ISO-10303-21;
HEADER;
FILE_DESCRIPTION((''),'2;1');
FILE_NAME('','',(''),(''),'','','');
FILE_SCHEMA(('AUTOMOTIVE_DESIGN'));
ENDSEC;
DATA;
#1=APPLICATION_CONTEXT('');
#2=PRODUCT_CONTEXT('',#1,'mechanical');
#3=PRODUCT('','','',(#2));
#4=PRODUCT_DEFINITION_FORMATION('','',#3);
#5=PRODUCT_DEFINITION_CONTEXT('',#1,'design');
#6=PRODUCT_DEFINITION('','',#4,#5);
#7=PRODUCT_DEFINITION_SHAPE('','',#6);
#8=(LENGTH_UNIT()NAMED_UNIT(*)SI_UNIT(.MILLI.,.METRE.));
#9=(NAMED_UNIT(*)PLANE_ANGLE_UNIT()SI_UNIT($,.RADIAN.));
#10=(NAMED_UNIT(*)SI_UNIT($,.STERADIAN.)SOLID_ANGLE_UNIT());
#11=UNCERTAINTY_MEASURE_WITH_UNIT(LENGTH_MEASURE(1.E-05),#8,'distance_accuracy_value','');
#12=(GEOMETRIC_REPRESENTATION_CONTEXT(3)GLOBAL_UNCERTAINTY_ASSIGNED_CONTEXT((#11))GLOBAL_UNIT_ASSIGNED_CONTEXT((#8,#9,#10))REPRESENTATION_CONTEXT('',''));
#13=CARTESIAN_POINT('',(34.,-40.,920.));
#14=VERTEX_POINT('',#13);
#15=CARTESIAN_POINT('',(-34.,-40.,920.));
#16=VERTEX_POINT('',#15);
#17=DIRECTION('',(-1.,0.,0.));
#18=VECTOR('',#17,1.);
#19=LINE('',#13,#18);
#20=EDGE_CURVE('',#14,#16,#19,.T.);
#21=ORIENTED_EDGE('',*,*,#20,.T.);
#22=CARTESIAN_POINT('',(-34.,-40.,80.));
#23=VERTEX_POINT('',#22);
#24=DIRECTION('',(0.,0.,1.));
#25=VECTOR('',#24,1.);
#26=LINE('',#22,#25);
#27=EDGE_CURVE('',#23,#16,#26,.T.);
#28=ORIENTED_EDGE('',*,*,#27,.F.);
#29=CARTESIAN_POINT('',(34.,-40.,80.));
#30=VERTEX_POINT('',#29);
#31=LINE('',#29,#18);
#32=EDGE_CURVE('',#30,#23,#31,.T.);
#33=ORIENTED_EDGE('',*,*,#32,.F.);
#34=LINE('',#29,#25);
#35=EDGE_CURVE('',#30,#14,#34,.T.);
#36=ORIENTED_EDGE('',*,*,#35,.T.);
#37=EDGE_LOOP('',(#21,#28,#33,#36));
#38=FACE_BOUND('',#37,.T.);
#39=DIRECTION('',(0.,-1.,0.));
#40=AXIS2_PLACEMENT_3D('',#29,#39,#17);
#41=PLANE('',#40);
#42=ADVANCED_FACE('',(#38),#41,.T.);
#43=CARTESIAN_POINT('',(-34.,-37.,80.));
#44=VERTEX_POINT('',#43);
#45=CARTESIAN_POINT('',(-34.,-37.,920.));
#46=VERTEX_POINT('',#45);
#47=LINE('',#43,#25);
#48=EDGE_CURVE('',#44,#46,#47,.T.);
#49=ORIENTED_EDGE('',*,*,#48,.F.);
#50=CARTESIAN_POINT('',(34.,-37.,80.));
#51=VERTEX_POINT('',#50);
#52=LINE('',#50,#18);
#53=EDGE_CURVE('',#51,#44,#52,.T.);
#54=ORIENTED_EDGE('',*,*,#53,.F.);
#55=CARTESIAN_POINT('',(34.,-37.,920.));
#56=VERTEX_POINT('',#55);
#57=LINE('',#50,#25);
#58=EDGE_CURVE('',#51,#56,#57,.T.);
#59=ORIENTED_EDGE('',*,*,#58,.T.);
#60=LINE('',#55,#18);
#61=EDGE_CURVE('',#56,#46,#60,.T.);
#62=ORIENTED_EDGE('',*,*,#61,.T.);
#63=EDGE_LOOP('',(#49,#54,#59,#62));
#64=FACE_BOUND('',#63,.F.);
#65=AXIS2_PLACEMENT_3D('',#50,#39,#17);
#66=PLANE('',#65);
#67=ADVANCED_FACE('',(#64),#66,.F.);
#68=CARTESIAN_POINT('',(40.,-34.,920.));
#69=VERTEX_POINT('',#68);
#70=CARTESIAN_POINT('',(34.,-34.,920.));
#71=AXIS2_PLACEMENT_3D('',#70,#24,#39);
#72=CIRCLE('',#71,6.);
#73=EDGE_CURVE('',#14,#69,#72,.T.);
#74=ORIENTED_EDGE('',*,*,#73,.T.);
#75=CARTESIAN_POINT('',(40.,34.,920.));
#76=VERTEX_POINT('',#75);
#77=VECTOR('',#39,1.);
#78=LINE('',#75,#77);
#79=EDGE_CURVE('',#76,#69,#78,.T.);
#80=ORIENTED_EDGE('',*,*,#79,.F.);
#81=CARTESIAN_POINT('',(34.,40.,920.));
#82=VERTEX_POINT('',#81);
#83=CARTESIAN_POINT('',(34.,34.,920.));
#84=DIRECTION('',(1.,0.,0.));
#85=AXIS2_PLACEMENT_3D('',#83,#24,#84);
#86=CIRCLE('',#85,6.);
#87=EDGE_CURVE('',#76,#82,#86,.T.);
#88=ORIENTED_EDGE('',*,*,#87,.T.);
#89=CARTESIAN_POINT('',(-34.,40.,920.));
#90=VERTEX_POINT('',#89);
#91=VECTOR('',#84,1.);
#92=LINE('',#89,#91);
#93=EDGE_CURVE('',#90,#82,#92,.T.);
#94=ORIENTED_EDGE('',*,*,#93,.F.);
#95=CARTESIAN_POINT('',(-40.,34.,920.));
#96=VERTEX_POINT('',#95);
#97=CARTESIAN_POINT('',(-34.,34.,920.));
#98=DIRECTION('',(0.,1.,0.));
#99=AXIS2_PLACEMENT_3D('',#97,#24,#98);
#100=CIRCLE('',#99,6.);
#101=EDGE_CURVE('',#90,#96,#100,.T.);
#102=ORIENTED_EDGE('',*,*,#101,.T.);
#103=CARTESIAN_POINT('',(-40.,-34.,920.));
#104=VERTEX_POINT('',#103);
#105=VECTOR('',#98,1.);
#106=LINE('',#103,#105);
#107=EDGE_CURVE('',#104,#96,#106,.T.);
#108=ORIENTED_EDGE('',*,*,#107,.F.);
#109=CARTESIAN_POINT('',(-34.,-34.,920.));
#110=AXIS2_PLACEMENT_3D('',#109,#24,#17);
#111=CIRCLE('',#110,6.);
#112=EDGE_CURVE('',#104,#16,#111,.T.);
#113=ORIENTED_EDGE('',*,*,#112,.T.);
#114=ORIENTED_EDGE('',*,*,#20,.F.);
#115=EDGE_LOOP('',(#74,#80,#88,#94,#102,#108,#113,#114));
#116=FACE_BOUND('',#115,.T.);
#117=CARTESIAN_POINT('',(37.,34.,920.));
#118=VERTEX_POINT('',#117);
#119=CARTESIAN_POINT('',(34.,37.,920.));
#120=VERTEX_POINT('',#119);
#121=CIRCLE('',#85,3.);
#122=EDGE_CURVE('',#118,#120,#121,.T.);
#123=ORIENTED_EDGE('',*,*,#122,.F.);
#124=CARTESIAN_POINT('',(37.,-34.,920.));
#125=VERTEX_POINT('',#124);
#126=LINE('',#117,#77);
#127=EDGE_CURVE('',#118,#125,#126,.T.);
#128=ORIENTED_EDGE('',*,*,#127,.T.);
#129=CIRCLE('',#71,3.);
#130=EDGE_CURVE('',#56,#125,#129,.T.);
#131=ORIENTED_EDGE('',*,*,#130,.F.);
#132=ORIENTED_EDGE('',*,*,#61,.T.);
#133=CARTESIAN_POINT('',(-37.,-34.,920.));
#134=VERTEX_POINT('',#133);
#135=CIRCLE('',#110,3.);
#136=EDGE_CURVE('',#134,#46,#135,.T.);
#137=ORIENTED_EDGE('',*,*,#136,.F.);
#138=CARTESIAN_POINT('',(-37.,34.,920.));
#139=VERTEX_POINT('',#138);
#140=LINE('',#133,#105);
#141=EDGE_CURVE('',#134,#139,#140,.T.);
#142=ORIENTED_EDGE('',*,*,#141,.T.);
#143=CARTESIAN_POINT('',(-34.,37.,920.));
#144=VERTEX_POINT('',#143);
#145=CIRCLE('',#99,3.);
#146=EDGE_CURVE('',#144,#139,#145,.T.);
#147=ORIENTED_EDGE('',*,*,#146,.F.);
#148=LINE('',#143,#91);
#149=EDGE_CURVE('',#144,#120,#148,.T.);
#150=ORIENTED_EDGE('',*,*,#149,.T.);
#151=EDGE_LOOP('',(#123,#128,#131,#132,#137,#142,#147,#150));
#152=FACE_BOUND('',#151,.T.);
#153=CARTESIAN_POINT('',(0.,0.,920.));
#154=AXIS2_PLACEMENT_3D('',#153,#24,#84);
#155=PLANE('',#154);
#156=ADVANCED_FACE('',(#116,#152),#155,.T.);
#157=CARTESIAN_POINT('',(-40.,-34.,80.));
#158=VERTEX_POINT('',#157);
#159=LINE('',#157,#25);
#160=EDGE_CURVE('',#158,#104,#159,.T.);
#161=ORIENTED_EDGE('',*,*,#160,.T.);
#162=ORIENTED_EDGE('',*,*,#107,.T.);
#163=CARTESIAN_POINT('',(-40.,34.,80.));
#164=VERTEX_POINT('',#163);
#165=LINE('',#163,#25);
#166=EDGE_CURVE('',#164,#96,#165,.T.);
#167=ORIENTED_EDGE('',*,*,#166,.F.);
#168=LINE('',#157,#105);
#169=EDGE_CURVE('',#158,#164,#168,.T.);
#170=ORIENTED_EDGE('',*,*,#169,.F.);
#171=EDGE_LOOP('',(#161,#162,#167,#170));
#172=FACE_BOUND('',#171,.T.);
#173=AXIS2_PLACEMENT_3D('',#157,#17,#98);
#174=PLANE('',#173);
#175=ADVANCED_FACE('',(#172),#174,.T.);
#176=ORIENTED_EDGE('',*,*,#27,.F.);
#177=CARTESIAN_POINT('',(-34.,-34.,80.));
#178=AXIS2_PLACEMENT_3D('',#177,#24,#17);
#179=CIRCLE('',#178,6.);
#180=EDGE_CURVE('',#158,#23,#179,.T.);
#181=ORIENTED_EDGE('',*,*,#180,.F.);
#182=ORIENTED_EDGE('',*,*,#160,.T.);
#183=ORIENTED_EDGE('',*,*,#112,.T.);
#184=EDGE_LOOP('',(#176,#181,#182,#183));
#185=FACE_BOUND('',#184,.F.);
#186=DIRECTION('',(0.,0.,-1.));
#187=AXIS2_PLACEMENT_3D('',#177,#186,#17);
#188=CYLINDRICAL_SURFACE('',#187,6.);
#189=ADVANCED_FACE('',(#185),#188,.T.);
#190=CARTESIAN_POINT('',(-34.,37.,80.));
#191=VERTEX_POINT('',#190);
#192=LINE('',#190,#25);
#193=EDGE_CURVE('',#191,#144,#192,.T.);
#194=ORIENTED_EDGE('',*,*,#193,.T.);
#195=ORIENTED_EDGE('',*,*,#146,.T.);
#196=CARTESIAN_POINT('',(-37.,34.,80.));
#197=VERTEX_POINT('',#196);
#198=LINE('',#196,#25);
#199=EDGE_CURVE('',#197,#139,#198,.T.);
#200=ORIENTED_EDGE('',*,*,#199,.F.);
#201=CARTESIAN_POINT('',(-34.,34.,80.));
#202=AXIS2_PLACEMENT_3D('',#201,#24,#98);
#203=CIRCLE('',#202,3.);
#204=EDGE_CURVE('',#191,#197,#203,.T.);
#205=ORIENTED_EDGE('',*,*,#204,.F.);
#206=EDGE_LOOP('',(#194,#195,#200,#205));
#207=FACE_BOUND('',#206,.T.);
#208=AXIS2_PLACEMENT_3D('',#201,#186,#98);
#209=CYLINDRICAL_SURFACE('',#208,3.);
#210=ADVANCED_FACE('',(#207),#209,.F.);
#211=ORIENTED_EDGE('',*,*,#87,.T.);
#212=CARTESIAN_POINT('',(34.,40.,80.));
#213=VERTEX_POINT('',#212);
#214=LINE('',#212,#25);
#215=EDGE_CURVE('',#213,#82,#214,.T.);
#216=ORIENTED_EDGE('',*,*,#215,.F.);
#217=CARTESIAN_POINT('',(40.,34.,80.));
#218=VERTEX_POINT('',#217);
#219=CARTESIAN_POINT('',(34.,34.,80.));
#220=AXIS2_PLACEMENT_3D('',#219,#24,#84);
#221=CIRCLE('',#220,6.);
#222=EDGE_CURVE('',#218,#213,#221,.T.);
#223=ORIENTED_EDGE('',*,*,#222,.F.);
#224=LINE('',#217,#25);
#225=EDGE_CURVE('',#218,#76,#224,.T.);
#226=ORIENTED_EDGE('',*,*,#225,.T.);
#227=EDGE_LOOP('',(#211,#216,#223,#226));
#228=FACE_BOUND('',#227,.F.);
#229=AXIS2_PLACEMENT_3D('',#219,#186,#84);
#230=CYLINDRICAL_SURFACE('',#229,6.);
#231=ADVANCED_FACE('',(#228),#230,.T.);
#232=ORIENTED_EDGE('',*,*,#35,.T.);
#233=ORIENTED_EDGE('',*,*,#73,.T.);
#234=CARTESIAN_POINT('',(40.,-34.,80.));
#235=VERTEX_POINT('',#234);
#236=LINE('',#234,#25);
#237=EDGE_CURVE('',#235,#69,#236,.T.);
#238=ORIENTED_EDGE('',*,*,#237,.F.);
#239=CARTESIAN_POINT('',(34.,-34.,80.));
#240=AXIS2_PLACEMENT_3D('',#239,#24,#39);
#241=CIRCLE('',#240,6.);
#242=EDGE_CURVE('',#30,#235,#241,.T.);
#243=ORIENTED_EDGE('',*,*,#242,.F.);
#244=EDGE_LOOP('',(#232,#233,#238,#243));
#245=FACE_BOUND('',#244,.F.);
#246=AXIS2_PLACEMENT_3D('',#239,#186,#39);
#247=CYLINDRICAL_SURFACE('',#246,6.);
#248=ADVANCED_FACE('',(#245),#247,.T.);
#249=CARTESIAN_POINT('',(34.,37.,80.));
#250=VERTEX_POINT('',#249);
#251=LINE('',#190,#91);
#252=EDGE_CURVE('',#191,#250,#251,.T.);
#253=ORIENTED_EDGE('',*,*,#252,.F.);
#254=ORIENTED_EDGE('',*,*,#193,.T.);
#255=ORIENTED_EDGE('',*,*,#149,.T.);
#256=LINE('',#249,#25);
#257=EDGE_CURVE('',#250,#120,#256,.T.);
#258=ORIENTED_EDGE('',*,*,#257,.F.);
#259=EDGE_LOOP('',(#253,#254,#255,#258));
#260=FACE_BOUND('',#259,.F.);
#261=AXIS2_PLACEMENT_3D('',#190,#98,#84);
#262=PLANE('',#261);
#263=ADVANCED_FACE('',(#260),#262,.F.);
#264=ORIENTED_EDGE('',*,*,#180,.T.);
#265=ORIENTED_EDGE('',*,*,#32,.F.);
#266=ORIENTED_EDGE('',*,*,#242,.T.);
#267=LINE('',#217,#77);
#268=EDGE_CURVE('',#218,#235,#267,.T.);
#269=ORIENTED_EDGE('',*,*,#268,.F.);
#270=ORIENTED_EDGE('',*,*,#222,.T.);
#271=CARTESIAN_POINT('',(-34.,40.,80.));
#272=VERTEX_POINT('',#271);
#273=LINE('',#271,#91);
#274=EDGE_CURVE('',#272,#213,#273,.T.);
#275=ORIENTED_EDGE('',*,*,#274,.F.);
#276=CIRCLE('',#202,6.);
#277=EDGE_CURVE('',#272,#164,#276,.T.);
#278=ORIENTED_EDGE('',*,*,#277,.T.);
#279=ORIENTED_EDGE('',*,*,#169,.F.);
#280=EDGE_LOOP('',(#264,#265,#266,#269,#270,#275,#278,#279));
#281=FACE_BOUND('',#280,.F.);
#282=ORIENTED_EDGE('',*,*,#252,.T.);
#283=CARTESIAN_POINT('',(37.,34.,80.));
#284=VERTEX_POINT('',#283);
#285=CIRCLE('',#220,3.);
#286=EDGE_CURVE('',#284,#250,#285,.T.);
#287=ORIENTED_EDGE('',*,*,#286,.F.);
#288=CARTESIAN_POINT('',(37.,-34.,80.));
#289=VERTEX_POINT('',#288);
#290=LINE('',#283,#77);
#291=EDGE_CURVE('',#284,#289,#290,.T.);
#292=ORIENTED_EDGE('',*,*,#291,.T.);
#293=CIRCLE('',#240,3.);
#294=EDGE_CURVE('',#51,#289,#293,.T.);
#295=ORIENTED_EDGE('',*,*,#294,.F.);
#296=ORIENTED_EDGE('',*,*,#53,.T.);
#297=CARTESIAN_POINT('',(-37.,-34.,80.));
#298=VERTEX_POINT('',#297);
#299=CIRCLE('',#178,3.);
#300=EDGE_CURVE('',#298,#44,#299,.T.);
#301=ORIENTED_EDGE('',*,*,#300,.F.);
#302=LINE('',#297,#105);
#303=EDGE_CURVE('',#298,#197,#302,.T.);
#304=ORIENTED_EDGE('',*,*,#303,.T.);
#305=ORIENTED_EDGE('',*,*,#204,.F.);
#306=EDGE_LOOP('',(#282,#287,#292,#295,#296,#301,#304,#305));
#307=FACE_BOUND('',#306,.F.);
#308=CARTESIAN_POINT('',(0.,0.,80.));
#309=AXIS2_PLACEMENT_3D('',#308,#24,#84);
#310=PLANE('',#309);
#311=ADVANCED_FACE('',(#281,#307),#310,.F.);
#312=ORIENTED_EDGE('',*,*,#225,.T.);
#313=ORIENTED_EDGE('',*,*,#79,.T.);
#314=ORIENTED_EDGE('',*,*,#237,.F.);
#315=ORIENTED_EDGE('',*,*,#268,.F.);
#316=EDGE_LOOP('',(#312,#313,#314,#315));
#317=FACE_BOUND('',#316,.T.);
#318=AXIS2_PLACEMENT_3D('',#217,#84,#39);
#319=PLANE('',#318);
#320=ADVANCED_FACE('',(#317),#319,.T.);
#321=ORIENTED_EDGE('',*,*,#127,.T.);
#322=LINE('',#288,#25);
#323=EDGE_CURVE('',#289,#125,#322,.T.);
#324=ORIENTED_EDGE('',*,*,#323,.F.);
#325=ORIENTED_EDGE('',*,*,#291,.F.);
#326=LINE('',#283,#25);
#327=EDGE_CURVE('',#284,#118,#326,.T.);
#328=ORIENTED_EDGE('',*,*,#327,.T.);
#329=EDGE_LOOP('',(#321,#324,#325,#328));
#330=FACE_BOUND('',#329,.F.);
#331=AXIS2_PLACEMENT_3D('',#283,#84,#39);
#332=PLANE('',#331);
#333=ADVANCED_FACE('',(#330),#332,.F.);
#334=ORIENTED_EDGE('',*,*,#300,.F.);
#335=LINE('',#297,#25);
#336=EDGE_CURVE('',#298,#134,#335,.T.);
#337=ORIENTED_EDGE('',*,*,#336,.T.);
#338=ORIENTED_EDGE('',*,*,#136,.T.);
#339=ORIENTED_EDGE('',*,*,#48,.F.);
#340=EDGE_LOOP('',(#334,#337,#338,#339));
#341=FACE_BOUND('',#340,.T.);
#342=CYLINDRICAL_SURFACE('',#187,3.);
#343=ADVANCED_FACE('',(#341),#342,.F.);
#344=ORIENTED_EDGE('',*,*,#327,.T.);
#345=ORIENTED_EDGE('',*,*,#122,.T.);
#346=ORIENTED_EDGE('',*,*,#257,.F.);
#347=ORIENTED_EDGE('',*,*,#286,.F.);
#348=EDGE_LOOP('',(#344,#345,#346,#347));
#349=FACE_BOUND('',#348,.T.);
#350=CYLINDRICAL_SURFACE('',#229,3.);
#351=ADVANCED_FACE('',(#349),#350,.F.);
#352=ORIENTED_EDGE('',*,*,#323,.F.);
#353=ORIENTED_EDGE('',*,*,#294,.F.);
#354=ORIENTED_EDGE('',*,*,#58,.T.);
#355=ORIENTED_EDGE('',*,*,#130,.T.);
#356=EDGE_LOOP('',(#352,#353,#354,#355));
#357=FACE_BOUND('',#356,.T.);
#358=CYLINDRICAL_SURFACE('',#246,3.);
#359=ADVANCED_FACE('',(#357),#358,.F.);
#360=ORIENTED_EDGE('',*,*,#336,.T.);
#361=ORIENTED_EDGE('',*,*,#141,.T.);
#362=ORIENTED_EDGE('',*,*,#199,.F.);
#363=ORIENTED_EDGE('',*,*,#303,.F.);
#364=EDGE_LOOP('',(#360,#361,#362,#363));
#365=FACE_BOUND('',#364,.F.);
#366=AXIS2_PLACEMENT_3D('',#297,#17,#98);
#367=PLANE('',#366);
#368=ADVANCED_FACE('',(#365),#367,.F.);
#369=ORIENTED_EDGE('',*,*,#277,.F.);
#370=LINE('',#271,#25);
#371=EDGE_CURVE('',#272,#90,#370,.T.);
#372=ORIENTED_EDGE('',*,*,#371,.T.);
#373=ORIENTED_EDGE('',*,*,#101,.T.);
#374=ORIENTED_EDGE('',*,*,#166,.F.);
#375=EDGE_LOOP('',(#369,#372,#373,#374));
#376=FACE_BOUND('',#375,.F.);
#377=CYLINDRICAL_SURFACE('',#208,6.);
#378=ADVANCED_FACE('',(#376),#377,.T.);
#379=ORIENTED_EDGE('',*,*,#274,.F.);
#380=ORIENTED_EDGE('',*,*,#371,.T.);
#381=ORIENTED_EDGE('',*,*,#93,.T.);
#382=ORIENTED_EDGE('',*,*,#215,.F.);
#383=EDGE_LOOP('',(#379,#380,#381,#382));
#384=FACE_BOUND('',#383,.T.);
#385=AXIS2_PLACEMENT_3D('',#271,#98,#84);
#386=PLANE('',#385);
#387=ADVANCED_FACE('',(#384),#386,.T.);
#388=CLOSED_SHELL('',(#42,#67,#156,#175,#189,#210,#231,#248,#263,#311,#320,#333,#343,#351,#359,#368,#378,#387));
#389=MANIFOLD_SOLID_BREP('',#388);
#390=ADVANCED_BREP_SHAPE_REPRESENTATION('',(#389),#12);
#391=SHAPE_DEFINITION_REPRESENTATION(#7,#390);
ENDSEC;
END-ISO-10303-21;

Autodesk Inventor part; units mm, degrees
ref_plane "YZ Plane" through (0, 0, 0) normal (1, 0, 0) x (0, 1, 0)
ref_plane "Start Plane" through (0, 0, 80) normal (0, 0, 1) x (1, 0, 0)
ref_plane "End Plane" through (0, 0, 920) normal (0, 0, 1) x (1, 0, 0)
sketch "Sketch" plane through (0, 0, 0) normal (0, 0, 1) x (1, 0, 0)
  line L0 (-40, -34) -> (-40, 34)
  line L1 (-34, 40) -> (34, 40)
  line L2 (40, 34) -> (40, -34)
  line L3 (34, -40) -> (-34, -40)
  arc A0 (-40, -34) -> (-34, -40) centre (-34, -34) ccw
  arc A1 (40, 34) -> (34, 40) centre (34, 34) ccw
  arc A2 (-34, 40) -> (-40, 34) centre (-34, 34) ccw
  arc A3 (34, -40) -> (40, -34) centre (34, -34) ccw
  arc A4 (-34, 37) -> (-37, 34) centre (-34, 34) ccw
  line L4 (-34, 37) -> (34, 37)
  arc A5 (37, 34) -> (34, 37) centre (34, 34) ccw
  line L5 (37, 34) -> (37, -34)
  arc A6 (34, -37) -> (37, -34) centre (34, -34) ccw
  line L6 (34, -37) -> (-34, -37)
  arc A7 (-37, -34) -> (-34, -37) centre (-34, -34) ccw
  line L7 (-37, -34) -> (-37, 34)
  line L8 (0, 57.7397) -> (0, -57.7397) construction
  line L9 (-57.7397, 0) -> (57.7397, 0) construction
  dimension "d7" = 6
  dimension "d9" = 80
  dimension "d11" = 80
  dimension "d12" = 3
  dimension "d15" = 40
  dimension "d16" = 40
extrude "Body" add sketch "Sketch" along normal up to surface (840 mm away) from surface at 80
sketch "Sketch3" plane through (0, 0, 0) normal (0, 0, 1) x (1, 0, 0)
  line L0 (0, 0) -> (10, 0)
ref_plane "Work Plane3" through (0, 0, 0) normal (0, -1, 0) x (1, 0, 0)
sketch "Sketch4" plane through (0, 0, 0) normal (0, -1, 0) x (1, 0, 0)
  line L0 (-2, 80) -> (12, 80) projected
  line L1 (-2, 920) -> (12, 920) projected
  dimension "d18" = 840
equation "\"d7\" = G_IR"
equation "\"d9\" = G_W"
equation "\"d11\" = G_H"
equation "\"d12\" = G_T"
equation "\"d15\" = 0.5 * d9"
equation "\"d16\" = 0.5 * d11"
equation "\"d3\" = G_L"
equation "\"G_W\" = 80"
equation "\"G_H\" = 80"
equation "\"G_T\" = 3"
equation "\"G_IR\" = 6"
equation "\"G_L\" = d18"
properties part number "ISO 4019 - 80x80x3 - 840" material "Steel, Mild"
